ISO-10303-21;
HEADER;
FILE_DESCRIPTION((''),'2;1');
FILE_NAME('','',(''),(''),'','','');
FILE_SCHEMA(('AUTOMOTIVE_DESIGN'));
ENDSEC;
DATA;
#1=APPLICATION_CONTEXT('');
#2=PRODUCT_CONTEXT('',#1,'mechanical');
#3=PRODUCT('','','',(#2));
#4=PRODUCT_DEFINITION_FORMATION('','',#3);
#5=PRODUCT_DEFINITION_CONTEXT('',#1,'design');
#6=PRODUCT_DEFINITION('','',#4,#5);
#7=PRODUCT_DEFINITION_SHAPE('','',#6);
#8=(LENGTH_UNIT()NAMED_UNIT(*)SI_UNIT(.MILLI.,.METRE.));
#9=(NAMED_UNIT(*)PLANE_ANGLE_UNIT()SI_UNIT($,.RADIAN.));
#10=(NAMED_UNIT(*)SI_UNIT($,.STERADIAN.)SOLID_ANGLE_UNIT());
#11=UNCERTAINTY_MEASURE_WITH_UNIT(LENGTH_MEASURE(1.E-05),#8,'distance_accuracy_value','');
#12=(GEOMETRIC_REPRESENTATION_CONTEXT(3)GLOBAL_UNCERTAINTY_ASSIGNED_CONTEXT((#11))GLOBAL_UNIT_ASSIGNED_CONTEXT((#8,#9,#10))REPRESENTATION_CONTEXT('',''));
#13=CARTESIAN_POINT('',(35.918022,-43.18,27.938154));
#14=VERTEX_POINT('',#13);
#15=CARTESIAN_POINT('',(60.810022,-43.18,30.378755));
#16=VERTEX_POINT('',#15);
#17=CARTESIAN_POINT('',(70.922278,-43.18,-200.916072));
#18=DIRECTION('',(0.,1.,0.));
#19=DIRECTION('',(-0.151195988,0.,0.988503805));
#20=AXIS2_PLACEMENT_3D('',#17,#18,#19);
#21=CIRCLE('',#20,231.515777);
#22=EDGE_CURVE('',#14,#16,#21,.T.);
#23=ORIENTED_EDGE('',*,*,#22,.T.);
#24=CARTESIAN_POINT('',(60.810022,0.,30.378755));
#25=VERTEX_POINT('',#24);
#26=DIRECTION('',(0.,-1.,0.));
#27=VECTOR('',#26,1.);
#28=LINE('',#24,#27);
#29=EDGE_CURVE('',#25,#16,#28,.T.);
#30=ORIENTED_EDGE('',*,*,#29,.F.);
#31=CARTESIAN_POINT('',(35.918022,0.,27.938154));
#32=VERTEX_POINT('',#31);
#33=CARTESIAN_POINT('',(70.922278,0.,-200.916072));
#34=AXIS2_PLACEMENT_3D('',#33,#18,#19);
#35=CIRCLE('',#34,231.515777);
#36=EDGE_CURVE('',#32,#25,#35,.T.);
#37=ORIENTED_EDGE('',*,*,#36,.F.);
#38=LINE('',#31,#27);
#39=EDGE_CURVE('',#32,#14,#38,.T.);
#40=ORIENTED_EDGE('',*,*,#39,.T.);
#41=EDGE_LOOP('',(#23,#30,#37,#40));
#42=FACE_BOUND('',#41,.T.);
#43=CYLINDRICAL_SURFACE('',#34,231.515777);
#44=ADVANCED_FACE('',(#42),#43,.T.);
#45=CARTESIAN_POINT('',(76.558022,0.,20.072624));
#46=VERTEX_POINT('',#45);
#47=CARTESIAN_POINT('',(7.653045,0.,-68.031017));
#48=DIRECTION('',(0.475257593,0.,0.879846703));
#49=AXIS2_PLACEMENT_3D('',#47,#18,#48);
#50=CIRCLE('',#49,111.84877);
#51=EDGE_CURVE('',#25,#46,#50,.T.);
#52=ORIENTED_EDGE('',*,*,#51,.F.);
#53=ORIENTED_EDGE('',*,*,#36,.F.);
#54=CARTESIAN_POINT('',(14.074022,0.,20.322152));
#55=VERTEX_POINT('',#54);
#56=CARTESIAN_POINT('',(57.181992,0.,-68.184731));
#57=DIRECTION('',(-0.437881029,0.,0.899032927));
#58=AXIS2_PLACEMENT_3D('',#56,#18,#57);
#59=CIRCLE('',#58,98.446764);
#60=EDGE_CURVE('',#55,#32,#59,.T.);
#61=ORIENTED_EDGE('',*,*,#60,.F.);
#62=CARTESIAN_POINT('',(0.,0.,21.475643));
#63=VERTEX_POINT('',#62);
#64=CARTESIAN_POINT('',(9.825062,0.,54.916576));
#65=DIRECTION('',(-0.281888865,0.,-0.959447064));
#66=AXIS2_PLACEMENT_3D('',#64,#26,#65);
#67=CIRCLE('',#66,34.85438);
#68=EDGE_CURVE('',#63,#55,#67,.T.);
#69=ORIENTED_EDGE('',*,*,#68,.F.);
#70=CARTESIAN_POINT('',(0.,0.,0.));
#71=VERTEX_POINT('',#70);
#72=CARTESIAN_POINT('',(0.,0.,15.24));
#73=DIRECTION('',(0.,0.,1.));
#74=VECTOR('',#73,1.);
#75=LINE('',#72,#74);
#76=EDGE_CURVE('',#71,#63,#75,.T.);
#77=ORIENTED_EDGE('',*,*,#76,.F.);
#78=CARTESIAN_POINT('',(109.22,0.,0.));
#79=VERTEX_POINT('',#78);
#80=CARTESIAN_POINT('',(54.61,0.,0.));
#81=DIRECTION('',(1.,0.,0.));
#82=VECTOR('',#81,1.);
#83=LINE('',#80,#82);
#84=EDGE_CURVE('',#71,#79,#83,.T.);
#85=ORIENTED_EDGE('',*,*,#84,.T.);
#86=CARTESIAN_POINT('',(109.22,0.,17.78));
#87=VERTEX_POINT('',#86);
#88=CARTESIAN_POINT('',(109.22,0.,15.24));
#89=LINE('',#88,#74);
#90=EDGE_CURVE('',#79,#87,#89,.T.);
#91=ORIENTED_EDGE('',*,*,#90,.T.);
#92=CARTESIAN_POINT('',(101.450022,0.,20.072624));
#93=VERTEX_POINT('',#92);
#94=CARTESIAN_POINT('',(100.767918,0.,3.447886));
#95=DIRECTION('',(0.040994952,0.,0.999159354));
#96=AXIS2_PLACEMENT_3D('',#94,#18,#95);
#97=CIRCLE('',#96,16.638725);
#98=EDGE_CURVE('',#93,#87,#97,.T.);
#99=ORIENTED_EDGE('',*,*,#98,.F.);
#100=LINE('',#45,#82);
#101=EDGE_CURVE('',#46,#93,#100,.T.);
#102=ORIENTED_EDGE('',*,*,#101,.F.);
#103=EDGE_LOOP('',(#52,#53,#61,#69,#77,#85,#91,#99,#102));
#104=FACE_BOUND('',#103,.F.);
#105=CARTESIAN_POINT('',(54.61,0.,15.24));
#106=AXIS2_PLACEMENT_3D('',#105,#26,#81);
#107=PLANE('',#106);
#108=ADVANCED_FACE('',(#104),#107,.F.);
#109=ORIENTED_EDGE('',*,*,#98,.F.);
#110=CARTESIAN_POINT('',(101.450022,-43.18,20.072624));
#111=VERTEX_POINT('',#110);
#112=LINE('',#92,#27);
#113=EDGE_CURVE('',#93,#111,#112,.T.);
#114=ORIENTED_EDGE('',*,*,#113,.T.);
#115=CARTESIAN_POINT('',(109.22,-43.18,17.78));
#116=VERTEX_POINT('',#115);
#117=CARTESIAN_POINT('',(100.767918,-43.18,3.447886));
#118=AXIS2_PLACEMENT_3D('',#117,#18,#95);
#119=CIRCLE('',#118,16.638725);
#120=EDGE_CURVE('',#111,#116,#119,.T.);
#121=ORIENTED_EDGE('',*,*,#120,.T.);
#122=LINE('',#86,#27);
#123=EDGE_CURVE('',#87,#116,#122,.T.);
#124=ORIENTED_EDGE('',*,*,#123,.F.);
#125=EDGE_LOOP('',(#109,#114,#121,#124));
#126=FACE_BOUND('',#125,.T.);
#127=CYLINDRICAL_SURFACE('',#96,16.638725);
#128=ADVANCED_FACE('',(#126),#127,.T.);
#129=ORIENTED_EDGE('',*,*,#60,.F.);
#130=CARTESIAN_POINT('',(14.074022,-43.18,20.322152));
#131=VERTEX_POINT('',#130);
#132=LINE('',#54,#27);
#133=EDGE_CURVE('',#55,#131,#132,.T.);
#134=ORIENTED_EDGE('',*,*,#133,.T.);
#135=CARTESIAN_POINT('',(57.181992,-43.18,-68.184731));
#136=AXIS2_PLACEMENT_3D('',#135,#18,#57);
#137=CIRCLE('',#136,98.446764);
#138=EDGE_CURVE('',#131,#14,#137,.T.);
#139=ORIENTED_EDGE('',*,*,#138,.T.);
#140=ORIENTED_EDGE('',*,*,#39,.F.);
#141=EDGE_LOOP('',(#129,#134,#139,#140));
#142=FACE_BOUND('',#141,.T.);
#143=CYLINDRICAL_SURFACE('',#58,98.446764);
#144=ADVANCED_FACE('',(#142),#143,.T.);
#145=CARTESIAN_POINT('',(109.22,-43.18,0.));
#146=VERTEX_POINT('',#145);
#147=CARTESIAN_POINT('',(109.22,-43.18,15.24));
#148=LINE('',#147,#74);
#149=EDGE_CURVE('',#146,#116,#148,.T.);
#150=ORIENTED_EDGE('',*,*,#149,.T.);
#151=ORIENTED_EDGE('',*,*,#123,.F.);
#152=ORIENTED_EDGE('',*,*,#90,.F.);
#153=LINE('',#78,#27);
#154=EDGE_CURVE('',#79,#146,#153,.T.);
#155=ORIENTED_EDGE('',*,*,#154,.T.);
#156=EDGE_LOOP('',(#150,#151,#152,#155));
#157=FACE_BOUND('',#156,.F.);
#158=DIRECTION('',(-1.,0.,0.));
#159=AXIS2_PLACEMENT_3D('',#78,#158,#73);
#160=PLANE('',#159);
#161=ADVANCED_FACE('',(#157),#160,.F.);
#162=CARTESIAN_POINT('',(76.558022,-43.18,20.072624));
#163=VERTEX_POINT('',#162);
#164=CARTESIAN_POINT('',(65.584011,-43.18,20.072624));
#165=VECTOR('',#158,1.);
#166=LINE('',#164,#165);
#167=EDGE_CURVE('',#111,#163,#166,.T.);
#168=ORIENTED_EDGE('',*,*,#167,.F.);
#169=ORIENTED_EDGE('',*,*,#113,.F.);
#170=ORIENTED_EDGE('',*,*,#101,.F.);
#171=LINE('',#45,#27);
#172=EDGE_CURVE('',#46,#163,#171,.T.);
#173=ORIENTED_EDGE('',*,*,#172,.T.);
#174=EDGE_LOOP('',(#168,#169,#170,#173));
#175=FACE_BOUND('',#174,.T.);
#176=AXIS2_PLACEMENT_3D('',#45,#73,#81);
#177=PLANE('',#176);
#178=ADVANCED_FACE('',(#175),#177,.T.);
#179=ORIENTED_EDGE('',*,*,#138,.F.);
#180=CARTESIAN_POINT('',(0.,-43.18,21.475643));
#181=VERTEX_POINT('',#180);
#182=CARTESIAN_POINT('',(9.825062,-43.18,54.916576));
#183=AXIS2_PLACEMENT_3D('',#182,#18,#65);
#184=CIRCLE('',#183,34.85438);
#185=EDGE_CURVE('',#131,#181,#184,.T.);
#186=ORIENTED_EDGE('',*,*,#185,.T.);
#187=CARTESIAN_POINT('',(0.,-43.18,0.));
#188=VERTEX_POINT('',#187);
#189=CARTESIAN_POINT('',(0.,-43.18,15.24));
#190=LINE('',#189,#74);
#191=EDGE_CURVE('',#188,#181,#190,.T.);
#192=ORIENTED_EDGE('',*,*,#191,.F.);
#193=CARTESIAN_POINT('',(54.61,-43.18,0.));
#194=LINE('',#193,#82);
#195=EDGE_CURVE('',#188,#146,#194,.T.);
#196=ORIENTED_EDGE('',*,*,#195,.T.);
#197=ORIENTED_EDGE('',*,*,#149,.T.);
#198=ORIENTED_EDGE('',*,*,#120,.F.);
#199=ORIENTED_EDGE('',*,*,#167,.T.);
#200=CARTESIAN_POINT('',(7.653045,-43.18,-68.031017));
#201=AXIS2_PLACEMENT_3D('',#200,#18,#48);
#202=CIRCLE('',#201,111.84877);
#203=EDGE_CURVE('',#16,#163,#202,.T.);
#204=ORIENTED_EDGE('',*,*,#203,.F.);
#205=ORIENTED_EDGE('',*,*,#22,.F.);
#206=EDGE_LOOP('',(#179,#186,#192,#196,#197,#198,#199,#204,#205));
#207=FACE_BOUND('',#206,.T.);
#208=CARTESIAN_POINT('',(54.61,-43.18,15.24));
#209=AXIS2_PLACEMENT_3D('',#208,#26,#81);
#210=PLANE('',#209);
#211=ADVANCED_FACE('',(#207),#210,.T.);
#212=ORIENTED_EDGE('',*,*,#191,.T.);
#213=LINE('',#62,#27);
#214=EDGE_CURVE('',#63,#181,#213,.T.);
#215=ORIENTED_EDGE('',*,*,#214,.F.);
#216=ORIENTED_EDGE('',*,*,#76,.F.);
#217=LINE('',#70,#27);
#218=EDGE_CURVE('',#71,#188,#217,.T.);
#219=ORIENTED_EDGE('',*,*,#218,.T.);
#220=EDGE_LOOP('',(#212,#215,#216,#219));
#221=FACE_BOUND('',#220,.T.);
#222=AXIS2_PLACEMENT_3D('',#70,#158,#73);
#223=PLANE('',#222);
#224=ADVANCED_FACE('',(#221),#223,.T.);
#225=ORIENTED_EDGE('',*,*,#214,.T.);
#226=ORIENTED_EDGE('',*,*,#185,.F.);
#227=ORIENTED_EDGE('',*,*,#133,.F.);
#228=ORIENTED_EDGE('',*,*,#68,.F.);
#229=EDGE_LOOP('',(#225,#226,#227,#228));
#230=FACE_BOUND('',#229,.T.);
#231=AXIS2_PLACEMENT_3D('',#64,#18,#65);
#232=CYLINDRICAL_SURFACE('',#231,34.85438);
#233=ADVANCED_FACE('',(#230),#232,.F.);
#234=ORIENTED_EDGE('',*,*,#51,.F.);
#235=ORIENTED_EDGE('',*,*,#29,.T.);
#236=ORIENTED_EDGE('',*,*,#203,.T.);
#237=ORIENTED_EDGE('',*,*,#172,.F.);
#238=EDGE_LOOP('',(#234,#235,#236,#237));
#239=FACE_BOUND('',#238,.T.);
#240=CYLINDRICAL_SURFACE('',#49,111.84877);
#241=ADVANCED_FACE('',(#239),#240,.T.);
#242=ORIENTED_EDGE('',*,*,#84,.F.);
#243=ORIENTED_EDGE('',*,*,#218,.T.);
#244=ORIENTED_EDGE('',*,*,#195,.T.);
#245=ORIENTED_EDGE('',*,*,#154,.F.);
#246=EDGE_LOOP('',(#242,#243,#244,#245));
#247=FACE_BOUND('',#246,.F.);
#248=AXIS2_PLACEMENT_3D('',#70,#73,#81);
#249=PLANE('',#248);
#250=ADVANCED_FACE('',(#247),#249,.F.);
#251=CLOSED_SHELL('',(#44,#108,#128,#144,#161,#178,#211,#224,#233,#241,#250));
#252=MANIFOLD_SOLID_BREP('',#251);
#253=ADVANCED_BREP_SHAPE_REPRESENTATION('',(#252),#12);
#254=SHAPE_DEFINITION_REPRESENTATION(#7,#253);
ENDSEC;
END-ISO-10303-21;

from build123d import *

# Parameters (mm, degrees)
F0_W     = 109.22
F0_H     = 30.48
F1_DEPTH = 43.18
F3_DEPTH = 43.181


with BuildPart() as f1:
    # F0 (on Front) → F1 (new body)
    with BuildSketch(Plane.XZ):
        with Locations((54.61, 15.24)):
            Rectangle(F0_W, F0_H)
    extrude(amount=F1_DEPTH)

    # F2 (on Front) → F3 (cut, through all)
    with BuildSketch(Plane.XZ):
        with BuildLine():
            ThreePointArc((101.450022, 20.072624), (105.476673, 19.40642), (109.22, 17.78))
            Line((109.22, 17.78), (109.22, 32.641226))
            Line((109.22, 32.641226), (0, 32.641226))
            Line((0, 32.641226), (0, 21.475643))
            ThreePointArc((0, 21.475643), (6.977982, 20.178672), (14.074022, 20.322152))
            ThreePointArc((14.074022, 20.322152), (24.771538, 24.774012), (35.918022, 27.938154))
            ThreePointArc((35.918022, 27.938154), (48.33104, 29.494845), (60.810022, 30.378755))
            ThreePointArc((60.810022, 30.378755), (68.901182, 25.557514), (76.558022, 20.072624))
            Line((76.558022, 20.072624), (101.450022, 20.072624))
        make_face()
    extrude(amount=F3_DEPTH, mode=Mode.SUBTRACT)


solid = f1.part
